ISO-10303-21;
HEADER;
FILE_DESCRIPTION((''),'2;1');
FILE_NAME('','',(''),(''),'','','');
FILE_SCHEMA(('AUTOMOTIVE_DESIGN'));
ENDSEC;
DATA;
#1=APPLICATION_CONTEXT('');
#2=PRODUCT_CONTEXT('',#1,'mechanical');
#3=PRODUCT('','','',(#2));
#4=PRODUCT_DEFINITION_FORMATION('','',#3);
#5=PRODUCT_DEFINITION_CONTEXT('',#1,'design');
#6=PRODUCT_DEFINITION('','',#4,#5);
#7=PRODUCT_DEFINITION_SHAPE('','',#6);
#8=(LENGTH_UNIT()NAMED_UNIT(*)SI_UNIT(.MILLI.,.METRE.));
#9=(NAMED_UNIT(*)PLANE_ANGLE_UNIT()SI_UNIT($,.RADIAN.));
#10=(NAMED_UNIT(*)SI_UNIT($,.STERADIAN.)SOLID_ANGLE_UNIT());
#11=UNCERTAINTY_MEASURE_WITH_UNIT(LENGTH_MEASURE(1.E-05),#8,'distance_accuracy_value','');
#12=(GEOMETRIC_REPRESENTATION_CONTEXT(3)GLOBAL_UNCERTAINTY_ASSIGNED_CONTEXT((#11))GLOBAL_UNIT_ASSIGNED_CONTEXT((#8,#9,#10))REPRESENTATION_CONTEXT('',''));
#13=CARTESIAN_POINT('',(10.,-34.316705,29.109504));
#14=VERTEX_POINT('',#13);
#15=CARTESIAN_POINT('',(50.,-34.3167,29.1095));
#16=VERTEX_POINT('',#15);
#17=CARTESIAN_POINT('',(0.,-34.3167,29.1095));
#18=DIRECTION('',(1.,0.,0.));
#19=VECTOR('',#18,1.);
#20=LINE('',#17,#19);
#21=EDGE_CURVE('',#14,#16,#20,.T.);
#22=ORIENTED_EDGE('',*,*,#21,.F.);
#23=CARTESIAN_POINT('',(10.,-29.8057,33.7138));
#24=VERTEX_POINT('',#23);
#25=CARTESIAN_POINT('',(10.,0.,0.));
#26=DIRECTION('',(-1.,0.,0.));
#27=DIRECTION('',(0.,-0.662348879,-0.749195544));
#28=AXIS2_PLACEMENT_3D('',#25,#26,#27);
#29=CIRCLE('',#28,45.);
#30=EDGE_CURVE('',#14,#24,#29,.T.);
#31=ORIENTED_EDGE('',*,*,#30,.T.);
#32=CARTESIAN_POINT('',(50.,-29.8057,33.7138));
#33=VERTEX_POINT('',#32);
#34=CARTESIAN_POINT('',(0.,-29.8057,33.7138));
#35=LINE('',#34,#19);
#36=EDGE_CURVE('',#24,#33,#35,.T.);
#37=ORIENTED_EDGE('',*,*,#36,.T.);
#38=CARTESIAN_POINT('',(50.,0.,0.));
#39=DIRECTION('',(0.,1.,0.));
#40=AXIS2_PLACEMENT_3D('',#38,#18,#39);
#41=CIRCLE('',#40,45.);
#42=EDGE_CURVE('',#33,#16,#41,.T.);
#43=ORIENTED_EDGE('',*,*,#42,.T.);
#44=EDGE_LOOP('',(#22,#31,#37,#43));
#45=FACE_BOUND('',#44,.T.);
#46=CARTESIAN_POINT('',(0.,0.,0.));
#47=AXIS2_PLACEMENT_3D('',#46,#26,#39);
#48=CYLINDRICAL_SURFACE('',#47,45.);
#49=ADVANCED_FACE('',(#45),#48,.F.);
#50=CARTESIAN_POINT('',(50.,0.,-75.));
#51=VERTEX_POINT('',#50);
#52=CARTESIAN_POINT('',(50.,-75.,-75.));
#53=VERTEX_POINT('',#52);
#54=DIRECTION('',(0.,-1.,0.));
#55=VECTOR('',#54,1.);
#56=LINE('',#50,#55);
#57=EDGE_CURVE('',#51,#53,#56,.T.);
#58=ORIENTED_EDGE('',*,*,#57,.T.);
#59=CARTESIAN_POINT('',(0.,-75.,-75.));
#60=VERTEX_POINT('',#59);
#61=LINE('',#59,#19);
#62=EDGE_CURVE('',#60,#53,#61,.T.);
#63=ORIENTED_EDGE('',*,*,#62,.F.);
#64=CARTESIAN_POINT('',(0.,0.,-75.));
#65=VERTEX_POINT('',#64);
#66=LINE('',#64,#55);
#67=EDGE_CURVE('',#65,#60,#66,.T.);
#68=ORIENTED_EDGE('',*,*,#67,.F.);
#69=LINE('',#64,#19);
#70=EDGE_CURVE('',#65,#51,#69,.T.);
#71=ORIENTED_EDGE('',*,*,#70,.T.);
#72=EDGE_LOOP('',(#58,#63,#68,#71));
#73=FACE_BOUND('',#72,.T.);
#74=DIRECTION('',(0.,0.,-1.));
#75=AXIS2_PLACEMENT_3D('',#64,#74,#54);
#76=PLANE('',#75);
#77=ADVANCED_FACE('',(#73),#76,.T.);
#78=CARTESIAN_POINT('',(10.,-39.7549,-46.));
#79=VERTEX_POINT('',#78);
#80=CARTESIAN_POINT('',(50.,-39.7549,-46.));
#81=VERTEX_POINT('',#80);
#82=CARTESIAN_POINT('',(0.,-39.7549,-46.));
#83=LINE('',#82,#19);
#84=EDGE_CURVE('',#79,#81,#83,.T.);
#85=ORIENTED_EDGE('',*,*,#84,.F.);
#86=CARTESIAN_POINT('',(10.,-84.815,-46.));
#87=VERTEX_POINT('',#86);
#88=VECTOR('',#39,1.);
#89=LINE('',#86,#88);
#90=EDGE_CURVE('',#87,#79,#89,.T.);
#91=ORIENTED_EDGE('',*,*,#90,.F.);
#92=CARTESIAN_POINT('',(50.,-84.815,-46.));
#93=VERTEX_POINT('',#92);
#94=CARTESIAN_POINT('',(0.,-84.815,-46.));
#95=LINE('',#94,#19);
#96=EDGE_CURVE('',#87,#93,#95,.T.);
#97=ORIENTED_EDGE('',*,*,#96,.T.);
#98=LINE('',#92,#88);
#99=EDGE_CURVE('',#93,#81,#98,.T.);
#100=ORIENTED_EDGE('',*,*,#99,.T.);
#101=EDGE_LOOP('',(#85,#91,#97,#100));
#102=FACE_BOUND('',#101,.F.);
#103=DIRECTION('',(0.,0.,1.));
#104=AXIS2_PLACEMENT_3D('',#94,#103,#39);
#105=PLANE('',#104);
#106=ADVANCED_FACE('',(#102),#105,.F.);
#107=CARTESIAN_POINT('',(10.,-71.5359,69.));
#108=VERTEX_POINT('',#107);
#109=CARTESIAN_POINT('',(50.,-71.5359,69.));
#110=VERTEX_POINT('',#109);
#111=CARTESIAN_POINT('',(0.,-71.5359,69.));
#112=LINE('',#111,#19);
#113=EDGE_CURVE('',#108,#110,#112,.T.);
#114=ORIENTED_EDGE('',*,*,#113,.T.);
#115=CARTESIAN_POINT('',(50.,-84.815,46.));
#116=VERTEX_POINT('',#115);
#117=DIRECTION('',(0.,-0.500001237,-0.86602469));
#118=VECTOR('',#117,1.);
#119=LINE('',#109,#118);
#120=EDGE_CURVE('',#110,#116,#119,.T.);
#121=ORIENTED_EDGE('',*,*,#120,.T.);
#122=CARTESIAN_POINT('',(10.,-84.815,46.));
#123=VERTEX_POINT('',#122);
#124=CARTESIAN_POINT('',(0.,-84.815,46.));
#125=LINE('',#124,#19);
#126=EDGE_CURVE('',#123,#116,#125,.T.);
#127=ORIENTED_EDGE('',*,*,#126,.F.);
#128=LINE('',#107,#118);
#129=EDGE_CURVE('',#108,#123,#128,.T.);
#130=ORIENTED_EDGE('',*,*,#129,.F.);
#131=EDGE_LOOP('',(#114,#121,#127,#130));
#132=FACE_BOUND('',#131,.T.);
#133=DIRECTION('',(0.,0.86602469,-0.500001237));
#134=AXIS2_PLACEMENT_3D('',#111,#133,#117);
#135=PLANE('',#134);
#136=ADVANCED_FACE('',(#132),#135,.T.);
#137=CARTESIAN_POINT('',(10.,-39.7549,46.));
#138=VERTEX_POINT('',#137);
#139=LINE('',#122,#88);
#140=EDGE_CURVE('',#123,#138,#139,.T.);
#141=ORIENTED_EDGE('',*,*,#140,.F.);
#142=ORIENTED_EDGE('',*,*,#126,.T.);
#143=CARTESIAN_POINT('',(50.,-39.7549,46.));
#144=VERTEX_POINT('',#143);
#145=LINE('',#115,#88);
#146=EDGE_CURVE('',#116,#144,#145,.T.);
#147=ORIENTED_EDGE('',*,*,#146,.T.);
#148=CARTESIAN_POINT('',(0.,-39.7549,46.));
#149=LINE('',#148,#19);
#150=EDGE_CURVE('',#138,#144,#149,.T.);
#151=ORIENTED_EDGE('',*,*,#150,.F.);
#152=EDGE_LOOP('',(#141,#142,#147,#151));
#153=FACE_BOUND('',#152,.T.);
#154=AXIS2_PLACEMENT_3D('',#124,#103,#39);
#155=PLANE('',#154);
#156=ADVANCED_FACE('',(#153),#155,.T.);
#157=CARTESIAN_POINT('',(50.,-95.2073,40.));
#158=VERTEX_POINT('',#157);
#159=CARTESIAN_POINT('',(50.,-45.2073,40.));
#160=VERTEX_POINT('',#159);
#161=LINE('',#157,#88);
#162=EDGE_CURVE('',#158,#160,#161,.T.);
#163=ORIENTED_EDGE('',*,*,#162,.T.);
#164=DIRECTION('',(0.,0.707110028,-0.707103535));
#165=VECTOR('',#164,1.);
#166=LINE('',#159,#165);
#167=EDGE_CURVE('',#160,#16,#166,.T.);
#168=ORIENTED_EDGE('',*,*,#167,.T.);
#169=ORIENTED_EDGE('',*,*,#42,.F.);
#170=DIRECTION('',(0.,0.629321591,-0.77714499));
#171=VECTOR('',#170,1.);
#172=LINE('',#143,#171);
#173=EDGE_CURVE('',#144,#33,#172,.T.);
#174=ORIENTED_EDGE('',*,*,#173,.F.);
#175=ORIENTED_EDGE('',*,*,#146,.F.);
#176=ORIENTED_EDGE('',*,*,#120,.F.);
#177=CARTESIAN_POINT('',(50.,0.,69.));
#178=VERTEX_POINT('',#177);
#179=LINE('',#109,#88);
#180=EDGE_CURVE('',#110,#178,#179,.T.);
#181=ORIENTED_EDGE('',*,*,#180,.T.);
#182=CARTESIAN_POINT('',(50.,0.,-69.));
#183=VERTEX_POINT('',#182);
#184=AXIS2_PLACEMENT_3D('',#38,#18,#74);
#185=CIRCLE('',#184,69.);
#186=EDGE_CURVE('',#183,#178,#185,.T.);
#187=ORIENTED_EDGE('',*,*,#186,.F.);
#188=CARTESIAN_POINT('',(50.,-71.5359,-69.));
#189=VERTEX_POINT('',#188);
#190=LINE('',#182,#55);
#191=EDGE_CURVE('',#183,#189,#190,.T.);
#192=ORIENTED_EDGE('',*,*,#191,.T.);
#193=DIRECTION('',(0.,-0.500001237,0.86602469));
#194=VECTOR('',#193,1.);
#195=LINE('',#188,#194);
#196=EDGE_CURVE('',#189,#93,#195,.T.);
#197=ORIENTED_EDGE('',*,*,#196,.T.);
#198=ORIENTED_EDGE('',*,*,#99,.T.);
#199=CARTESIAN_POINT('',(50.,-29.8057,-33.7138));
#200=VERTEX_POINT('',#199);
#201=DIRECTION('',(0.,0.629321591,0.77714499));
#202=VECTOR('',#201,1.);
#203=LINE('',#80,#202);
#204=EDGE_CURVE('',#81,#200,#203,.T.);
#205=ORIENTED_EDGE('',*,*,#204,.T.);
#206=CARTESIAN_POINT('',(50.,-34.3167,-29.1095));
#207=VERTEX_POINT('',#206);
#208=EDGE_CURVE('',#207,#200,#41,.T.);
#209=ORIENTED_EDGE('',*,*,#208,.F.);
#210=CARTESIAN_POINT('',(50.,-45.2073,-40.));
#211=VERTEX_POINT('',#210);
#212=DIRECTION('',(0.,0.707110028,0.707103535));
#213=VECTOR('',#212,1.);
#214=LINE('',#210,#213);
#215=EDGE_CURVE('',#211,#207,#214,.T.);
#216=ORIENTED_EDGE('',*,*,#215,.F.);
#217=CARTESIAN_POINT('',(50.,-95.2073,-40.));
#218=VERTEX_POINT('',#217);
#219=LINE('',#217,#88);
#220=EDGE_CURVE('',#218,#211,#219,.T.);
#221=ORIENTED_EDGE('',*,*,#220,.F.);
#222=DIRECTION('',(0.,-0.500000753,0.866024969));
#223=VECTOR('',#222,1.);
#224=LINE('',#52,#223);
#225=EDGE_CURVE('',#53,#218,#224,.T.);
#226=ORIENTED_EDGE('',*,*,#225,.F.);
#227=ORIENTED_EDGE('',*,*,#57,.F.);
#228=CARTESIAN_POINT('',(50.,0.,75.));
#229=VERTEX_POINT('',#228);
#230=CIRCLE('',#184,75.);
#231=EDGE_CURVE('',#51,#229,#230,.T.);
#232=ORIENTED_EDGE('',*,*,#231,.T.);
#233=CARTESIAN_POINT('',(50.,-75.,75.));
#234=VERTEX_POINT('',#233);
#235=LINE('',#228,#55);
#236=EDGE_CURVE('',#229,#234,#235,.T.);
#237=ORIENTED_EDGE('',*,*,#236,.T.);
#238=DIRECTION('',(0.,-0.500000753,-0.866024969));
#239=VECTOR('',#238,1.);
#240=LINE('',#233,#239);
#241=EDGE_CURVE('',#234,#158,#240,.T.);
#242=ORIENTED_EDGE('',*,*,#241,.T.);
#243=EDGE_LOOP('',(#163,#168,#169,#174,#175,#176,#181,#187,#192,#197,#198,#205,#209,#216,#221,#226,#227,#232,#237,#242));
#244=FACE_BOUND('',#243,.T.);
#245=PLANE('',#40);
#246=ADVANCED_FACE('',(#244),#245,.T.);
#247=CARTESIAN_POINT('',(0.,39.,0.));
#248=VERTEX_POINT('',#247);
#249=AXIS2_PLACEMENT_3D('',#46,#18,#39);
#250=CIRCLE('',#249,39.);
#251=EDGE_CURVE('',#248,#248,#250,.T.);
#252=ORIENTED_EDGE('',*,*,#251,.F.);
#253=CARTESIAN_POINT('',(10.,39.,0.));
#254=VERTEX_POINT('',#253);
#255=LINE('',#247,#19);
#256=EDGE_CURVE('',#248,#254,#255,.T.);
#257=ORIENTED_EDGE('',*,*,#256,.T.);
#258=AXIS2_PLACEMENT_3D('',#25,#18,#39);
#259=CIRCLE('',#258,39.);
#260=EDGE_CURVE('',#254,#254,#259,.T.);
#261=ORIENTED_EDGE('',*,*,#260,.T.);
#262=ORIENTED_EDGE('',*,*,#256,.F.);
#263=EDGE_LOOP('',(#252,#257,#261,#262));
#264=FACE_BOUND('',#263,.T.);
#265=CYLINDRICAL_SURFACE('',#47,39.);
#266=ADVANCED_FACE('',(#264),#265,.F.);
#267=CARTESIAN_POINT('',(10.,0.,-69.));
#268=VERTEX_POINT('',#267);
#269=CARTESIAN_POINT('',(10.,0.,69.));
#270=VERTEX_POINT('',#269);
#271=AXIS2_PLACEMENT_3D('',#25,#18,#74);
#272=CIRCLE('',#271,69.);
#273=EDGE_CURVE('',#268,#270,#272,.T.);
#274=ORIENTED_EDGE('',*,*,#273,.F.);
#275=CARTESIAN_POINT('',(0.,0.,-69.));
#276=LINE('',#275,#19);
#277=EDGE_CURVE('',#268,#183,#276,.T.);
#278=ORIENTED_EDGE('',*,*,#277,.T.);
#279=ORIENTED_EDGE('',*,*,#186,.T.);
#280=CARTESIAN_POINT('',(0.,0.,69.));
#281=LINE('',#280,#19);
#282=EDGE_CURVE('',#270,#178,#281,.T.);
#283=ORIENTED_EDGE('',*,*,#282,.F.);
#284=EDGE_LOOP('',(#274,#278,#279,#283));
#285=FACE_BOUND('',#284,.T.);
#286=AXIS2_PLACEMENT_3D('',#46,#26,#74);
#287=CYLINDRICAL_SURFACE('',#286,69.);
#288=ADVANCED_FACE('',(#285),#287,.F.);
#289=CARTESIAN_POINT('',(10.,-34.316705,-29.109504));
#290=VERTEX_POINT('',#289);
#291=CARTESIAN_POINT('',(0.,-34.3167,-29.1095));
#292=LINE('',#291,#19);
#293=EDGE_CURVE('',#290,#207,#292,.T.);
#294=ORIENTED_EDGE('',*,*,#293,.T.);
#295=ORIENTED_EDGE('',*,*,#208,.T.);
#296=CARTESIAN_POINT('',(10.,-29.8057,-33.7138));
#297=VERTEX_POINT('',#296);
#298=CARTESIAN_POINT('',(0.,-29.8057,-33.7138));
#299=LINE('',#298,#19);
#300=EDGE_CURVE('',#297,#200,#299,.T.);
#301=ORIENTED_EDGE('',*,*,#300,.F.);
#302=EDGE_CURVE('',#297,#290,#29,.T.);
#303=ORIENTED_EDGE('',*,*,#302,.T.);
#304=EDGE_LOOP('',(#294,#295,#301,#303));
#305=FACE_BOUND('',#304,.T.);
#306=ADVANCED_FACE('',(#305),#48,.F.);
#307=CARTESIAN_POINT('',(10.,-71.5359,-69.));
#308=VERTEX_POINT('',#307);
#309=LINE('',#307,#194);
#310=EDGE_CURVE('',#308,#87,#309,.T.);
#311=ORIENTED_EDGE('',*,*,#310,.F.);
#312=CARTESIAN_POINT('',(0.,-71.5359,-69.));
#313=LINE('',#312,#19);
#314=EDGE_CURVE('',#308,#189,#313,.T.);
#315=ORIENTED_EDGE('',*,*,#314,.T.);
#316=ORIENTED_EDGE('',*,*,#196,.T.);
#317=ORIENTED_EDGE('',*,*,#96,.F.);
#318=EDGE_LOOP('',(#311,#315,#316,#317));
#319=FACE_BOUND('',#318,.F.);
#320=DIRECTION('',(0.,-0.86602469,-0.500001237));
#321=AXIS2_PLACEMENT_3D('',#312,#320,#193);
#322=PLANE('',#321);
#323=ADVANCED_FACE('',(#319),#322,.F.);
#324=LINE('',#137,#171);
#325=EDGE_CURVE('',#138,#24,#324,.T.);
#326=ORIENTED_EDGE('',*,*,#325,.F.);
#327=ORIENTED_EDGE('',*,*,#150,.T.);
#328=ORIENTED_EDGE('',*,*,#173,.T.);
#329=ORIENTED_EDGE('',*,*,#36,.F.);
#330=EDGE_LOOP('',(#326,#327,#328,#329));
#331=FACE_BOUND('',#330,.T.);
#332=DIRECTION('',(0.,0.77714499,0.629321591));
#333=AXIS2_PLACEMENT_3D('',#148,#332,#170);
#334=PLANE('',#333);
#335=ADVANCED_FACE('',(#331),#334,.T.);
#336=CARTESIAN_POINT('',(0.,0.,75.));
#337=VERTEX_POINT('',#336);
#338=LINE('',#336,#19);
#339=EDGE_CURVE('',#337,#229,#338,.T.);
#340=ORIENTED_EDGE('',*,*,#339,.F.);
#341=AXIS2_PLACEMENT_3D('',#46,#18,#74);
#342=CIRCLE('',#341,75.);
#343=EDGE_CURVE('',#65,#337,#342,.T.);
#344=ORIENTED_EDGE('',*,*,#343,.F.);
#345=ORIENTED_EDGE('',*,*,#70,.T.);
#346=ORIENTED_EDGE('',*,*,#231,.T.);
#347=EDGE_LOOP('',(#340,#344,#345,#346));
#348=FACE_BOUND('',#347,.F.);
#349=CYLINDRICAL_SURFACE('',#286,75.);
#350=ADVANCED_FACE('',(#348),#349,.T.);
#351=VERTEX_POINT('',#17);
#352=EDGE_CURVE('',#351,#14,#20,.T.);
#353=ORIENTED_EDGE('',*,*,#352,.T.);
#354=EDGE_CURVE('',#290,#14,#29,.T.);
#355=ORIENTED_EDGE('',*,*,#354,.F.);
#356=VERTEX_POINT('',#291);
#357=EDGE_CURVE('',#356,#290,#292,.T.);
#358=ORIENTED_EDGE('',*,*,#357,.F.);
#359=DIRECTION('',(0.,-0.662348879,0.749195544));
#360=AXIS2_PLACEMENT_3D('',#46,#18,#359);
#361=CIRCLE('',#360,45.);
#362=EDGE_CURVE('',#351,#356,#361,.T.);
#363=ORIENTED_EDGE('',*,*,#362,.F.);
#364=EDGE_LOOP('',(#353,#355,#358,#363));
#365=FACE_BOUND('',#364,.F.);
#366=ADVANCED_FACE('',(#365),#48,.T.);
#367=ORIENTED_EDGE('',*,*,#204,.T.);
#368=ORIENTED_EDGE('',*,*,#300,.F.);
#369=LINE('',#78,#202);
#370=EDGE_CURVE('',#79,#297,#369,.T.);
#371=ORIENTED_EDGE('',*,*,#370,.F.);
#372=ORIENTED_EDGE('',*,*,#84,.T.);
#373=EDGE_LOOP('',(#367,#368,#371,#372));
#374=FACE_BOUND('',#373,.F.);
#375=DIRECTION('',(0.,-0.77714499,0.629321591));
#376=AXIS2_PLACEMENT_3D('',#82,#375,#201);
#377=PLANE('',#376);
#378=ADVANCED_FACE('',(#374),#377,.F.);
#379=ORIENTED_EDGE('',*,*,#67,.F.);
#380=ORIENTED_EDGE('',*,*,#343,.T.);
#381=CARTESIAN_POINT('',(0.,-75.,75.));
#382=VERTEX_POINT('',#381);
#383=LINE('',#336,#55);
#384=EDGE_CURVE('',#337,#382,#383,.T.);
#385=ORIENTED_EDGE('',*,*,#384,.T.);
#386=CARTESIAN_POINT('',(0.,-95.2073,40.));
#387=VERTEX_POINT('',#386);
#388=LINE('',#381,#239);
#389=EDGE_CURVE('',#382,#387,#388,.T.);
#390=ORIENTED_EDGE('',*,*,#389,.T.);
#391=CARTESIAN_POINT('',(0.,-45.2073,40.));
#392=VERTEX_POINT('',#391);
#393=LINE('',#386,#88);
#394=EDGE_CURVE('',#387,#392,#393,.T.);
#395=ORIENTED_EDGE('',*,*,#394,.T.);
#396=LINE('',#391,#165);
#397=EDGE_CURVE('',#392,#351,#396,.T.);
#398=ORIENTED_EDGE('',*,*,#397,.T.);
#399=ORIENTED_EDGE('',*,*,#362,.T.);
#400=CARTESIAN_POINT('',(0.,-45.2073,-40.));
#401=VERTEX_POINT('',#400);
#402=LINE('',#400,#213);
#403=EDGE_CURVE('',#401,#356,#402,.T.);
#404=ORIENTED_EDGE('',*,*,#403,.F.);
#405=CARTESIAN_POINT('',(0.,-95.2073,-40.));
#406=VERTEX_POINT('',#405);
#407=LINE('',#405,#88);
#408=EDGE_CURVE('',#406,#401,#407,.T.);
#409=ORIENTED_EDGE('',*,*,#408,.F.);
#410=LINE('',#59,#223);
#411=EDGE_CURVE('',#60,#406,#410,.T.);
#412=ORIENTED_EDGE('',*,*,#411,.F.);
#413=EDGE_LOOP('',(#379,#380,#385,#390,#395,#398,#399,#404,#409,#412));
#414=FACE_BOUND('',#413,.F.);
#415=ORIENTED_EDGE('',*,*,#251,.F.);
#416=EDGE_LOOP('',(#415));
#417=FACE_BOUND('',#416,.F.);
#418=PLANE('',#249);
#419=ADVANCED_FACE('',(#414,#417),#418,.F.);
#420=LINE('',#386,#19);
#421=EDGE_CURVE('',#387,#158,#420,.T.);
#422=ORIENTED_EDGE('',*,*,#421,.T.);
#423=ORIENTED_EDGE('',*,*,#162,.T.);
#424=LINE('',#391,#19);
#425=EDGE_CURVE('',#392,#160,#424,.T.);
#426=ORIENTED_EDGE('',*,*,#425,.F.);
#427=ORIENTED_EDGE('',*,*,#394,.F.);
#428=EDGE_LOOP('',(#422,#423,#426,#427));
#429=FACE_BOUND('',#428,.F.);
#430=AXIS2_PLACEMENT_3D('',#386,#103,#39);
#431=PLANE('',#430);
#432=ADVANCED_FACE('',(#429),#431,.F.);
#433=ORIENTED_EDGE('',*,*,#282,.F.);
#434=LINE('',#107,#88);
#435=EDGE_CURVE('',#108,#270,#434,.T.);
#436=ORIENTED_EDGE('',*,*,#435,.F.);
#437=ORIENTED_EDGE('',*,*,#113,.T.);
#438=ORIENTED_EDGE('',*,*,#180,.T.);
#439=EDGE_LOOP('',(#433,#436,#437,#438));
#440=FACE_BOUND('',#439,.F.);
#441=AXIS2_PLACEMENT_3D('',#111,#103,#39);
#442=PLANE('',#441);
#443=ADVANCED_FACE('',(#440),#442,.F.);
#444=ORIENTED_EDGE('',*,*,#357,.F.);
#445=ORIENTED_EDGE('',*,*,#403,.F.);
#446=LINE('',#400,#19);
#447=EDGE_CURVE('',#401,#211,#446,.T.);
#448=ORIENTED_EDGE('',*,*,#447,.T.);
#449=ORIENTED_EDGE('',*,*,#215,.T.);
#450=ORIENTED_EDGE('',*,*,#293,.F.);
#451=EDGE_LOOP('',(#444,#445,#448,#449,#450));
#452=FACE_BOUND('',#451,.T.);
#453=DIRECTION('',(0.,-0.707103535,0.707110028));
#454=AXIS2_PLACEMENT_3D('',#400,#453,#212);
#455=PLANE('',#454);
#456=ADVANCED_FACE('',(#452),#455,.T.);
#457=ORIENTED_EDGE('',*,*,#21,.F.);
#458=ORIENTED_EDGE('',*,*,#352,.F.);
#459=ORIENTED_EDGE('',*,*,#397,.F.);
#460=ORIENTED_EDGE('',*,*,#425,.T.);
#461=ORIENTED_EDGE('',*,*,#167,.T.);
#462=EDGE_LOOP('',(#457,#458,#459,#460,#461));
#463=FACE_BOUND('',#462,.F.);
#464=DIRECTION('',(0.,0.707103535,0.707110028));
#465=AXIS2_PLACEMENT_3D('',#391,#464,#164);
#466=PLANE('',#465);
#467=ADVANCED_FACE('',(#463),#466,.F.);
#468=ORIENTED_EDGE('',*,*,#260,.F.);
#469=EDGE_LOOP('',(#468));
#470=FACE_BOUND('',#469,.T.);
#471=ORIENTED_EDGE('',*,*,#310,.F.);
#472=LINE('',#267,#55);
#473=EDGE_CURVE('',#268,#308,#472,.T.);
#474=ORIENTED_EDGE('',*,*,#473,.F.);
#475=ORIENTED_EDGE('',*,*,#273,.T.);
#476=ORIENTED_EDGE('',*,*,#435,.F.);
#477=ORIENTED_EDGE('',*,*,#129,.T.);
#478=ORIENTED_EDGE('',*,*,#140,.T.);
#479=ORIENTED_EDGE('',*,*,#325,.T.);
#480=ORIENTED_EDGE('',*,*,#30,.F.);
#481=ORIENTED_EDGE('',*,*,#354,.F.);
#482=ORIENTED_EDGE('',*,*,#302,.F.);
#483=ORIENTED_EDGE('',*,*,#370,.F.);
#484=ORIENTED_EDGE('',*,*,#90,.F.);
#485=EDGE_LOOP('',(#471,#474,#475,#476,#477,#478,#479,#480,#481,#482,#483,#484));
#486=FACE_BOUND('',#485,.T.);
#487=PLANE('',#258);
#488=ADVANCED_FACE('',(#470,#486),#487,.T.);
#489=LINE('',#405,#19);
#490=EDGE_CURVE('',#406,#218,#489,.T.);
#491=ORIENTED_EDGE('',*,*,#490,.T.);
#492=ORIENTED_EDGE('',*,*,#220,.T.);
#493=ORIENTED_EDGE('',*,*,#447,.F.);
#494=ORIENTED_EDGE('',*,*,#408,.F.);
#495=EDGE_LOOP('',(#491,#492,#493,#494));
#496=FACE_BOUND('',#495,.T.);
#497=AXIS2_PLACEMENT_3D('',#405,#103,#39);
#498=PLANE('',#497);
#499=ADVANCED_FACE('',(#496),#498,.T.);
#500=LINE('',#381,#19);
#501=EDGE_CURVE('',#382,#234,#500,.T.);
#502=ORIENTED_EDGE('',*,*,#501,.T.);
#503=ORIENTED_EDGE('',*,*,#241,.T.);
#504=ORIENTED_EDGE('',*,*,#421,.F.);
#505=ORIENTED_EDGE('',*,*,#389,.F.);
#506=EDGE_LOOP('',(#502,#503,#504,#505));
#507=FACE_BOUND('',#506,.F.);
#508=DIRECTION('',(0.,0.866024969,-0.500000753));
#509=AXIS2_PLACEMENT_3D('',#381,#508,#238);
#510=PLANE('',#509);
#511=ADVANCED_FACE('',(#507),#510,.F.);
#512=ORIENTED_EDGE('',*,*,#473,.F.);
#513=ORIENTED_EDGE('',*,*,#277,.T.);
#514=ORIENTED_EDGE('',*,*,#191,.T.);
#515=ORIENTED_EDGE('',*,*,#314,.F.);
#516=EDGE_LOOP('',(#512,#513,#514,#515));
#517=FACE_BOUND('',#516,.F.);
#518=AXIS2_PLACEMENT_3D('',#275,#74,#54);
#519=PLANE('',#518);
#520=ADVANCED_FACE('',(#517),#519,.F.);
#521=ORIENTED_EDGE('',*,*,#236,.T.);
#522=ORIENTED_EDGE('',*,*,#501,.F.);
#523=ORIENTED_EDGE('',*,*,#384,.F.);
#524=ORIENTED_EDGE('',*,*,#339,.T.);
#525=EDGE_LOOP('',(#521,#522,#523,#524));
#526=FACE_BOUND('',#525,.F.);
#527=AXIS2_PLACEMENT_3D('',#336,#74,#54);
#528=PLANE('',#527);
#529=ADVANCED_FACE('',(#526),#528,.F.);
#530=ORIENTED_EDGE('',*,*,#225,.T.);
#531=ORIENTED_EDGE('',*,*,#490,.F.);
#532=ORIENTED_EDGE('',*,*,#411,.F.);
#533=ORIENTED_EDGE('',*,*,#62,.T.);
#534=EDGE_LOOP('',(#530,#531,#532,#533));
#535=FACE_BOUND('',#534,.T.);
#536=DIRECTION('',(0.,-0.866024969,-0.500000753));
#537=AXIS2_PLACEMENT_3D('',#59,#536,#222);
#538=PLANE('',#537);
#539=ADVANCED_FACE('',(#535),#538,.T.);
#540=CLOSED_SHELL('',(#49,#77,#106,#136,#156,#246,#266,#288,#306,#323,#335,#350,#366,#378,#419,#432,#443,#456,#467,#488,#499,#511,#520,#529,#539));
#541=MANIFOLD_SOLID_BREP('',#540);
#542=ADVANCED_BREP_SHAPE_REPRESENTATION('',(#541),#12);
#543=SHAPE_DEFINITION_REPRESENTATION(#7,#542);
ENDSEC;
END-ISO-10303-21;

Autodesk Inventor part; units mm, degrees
ref_plane "YZ Plane" through (0, 0, 0) normal (1, 0, 0) x (0, 1, 0)
ref_plane "XZ Plane" through (0, 0, 0) normal (0, 1, 0) x (-1, 0, 0)
ref_plane "XY Plane" through (0, 0, 0) normal (0, 0, 1) x (1, 0, 0)
sketch "Sketch1" plane through (0, 0, 0) normal (1, 0, 0) x (0, 1, 0)
  arc A0 (0, -75) -> (0, 75) centre (0, 0) ccw
  line L0 (0, 75) -> (-75, 75)
  line L1 (0, -75) -> (-75, -75)
  line L2 (-75, 75) -> (-95.2073, 40)
  line L3 (-75, 75) -> (-34.5855, 75) construction
  circle A1 centre (0, 0) radius 45
  line L4 (-95.2073, 40) -> (-45.2073, 40)
  line L5 (-45.2073, 40) -> (-34.3167, 29.1095)
  line L6 (-45.2073, 40) -> (-29.8057, 40) construction
  line L7 (91.7333, 0) -> (-104.2658, 0) construction
  line L8 (-95.2073, -40) -> (-45.2073, -40)
  line L9 (-45.2073, -40) -> (-34.3167, -29.1095)
  line L10 (-45.2073, -40) -> (-29.8057, -40) construction
  line L11 (-75, -75) -> (-95.2073, -40)
  circle A2 centre (0, 0) radius 39
  line L12 (-71.5359, 69) -> (0, 69)
  arc A3 (0, -69) -> (0, 69) centre (0, 0) ccw
  line L13 (0, -69) -> (-71.5359, -69)
  line L14 (-71.5359, 69) -> (-84.815, 46)
  line L15 (-84.815, 46) -> (-39.7549, 46)
  line L16 (-39.7549, 46) -> (-29.8057, 33.7138)
  line L17 (-71.5359, -69) -> (-84.815, -46)
  line L18 (-84.815, -46) -> (-39.7549, -46)
  line L19 (-39.7549, -46) -> (-29.8057, -33.7138)
  dimension "d0" = 150
  dimension "d2" = 75
  dimension "d3" = 120
  dimension "d4" = 35
  dimension "d9" = 30
  dimension "d10" = 50
  dimension "d11" = 45
  dimension "d12" = 60
  dimension "d13" = 40
  dimension "d14" = 3.6821
  dimension "d15" = 68.5473
  dimension "d16" = 70.045
  dimension "d17" = 6
  dimension "d18" = 6
  dimension "d19" = 6
  dimension "d20" = 6
  dimension "d21" = 6
  dimension "d22" = 15.8094
extrude "Extrusion3" add sketch "Sketch1" along normal blind 50 contours L1 L11 L8 L9 A1 L19 L18 L17 L13 A3 L12 L14 L15 L16 L5 L4 L2 L0 A0
extrude "Extrusion4" add sketch "Sketch1" along normal blind 10 contours A1 | A1 L16 L15 L14 L12 A3 L13 L17 L18 L19
properties part number "Brazo 3D"
